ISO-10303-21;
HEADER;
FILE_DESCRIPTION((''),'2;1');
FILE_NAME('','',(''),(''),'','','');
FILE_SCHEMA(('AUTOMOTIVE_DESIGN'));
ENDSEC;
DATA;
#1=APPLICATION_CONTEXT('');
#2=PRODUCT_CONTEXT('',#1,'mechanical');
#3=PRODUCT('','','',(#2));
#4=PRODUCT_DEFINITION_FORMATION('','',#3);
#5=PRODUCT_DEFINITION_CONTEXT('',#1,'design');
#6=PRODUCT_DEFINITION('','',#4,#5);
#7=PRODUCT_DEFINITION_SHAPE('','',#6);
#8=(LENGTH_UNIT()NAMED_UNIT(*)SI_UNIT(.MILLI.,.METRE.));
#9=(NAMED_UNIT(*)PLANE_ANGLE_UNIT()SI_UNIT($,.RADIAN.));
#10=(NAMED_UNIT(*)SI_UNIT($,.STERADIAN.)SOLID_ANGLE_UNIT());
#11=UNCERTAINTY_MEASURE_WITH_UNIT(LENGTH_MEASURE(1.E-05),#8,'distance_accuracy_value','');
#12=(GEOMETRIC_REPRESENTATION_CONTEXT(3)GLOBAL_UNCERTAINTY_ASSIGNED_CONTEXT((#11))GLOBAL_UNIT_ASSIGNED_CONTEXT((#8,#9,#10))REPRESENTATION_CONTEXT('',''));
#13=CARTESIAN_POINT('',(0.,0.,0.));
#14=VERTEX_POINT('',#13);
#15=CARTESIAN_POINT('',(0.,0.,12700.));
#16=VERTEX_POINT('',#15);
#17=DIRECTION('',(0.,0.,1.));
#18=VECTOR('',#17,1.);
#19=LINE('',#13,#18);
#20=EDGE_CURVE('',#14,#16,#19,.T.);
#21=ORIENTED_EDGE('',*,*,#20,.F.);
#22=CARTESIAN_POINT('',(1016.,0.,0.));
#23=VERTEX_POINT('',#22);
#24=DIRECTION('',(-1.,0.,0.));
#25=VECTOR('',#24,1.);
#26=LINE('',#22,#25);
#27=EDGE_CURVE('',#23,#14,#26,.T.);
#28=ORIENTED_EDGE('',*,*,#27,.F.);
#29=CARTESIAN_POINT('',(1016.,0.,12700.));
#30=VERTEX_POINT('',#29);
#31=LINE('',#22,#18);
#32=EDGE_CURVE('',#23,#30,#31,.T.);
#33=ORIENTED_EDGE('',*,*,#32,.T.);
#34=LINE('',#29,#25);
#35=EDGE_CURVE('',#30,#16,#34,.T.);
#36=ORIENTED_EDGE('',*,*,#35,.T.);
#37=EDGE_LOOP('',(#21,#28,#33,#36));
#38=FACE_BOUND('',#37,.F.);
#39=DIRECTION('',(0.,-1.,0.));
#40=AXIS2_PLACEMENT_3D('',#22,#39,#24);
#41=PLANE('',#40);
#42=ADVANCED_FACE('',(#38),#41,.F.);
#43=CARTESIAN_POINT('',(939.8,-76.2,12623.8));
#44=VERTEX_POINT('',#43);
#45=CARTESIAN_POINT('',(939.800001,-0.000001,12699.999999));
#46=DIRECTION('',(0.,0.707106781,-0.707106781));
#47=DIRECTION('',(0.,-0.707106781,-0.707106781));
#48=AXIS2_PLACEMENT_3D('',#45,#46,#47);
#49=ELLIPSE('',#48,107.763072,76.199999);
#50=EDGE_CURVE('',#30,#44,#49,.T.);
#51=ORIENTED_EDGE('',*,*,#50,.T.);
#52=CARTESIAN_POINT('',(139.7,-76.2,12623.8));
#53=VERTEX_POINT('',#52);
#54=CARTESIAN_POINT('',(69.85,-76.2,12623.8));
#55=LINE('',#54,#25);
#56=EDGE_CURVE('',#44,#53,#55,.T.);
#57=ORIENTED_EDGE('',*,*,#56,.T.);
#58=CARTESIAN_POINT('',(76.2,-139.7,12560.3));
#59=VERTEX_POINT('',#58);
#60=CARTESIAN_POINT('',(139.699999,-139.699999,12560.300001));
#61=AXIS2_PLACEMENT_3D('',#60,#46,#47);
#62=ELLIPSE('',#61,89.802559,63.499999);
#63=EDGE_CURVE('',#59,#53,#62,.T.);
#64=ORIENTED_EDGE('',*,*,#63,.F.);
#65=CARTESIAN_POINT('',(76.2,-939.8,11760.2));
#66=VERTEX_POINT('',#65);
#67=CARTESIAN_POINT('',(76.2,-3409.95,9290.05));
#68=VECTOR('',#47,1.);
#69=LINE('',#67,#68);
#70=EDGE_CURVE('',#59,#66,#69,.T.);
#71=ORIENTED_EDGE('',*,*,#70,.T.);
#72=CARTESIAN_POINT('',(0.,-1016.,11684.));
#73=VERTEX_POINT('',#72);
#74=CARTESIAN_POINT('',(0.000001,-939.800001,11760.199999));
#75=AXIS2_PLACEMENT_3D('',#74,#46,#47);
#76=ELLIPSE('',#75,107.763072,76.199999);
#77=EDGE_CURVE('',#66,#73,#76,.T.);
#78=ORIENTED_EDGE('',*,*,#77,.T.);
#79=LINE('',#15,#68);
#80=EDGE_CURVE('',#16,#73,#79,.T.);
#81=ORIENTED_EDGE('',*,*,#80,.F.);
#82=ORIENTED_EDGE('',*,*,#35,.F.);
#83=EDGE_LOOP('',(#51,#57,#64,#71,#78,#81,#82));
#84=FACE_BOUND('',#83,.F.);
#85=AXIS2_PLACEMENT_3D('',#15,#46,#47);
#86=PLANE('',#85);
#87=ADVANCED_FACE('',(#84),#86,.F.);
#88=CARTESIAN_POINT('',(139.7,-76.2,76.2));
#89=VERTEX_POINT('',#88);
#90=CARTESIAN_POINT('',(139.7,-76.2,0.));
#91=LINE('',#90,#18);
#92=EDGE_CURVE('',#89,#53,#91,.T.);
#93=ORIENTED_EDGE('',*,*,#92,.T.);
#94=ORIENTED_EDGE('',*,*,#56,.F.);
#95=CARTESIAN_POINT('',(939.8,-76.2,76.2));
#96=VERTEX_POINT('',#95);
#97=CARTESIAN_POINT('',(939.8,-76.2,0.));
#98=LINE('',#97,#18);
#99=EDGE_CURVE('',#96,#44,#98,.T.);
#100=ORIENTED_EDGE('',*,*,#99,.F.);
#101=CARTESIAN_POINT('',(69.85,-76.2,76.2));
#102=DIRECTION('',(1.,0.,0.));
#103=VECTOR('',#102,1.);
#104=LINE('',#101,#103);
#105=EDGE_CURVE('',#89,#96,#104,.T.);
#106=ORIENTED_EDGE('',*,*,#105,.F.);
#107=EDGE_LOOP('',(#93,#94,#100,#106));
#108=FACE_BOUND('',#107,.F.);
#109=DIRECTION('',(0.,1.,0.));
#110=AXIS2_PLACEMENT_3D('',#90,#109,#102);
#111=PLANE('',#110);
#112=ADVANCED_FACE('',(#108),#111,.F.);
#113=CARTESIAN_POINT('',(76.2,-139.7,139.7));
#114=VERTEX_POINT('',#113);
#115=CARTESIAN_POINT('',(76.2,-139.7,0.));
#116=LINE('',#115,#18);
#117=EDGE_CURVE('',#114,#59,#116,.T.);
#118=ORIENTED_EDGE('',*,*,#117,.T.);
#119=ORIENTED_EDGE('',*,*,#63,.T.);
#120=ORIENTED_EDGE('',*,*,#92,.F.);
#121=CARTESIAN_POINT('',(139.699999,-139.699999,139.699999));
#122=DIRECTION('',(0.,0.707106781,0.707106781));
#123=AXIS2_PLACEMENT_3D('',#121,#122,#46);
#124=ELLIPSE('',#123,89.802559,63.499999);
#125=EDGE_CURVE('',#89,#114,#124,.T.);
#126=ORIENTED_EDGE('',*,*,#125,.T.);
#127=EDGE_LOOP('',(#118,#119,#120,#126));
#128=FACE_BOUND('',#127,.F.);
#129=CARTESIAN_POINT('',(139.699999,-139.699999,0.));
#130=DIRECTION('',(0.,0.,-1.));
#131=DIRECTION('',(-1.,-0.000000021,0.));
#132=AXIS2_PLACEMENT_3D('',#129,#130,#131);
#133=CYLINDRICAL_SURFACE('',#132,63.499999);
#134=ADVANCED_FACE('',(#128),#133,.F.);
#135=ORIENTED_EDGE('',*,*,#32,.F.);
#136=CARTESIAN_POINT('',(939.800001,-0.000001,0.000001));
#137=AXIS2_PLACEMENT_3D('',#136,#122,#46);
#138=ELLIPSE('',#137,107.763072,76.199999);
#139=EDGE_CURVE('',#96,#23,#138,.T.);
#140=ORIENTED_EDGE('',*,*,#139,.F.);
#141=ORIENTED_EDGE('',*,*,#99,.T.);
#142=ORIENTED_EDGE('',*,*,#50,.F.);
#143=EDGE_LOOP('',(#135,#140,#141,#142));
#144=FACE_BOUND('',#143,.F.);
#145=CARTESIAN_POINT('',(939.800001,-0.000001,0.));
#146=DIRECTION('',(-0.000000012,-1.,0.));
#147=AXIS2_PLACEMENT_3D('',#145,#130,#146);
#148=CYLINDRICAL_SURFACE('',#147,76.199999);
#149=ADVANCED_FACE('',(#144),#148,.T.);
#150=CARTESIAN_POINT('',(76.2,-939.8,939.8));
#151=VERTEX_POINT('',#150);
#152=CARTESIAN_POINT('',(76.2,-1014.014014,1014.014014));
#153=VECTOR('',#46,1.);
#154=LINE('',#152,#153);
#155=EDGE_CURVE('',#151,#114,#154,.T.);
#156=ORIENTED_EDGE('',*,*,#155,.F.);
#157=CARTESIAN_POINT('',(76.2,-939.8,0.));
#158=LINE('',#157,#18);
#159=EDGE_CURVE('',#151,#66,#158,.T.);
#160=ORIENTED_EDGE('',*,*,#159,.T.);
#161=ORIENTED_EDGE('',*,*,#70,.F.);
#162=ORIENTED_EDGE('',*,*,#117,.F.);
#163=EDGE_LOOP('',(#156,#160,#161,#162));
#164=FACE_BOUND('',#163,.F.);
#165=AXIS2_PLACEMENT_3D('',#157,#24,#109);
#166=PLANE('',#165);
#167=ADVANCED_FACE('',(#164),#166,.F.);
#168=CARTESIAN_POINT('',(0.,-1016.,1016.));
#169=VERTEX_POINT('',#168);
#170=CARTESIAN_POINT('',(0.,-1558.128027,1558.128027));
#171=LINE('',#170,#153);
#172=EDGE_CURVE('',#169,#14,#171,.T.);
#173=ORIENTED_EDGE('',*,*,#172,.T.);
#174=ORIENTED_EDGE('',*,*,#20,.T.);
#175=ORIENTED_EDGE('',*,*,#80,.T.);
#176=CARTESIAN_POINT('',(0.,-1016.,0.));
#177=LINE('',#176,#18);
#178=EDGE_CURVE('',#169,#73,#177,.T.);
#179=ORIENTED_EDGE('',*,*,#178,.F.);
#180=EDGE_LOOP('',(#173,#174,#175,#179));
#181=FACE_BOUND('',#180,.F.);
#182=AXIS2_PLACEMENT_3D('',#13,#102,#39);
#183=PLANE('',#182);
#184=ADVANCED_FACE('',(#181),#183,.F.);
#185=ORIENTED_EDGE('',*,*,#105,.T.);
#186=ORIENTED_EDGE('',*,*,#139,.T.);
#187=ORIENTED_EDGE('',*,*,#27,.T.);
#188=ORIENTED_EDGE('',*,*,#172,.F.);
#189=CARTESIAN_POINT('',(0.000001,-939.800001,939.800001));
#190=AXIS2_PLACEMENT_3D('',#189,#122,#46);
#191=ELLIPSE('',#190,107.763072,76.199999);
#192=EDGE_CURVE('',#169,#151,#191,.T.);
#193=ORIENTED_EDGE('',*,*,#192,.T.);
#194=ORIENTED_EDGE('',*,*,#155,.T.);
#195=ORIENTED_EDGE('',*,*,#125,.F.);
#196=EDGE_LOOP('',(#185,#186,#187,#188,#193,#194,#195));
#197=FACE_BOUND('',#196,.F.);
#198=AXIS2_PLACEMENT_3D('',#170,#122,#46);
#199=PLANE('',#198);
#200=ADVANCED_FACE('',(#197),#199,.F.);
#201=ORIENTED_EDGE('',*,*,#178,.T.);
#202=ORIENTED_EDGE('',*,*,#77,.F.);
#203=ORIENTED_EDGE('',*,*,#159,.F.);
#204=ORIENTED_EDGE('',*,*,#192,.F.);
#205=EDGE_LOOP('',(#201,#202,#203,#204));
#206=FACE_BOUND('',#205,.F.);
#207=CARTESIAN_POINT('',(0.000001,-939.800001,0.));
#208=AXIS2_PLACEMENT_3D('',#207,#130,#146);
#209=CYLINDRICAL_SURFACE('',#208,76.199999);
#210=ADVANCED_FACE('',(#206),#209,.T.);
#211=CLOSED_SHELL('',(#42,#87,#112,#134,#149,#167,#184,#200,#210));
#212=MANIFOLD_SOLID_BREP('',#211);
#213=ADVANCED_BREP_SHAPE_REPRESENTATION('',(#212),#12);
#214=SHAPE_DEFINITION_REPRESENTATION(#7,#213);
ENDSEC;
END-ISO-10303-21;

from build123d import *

# Parameters (mm, degrees)
F1_DEPTH = 12700
F3_DEPTH = 2032


with BuildPart() as f1:
    # F0 (on Top) → F1 (new body)
    with BuildSketch(Plane.XY):
        with BuildLine():
            Line((1016, 0), (0, 0))
            Line((0, 0), (0, -1016))
            ThreePointArc((0, -1016), (53.881537, -993.681537), (76.2, -939.8))
            Line((76.2, -939.8), (76.2, -139.7))
            ThreePointArc((76.2, -139.7), (94.798719, -94.798719), (139.7, -76.2))
            Line((139.7, -76.2), (939.8, -76.2))
            ThreePointArc((939.8, -76.2), (993.681537, -53.881537), (1016, 0))
        make_face()
    extrude(amount=F1_DEPTH)

    # F2 (on face) → F3 (cut)
    with BuildSketch(Plane(origin=(0, 0, 0), x_dir=(0, -1, 0), z_dir=(-1, 0, 0))):
        Polygon((1558.128027, 1558.128027), (0, 0), (2256.784678, -992.693126), align=None)
        Polygon((2495.949984, 14632.778168), (0, 12700), (1590.982127, 11109.017873), align=None)
    extrude(amount=-F3_DEPTH, mode=Mode.SUBTRACT)


solid = f1.part
